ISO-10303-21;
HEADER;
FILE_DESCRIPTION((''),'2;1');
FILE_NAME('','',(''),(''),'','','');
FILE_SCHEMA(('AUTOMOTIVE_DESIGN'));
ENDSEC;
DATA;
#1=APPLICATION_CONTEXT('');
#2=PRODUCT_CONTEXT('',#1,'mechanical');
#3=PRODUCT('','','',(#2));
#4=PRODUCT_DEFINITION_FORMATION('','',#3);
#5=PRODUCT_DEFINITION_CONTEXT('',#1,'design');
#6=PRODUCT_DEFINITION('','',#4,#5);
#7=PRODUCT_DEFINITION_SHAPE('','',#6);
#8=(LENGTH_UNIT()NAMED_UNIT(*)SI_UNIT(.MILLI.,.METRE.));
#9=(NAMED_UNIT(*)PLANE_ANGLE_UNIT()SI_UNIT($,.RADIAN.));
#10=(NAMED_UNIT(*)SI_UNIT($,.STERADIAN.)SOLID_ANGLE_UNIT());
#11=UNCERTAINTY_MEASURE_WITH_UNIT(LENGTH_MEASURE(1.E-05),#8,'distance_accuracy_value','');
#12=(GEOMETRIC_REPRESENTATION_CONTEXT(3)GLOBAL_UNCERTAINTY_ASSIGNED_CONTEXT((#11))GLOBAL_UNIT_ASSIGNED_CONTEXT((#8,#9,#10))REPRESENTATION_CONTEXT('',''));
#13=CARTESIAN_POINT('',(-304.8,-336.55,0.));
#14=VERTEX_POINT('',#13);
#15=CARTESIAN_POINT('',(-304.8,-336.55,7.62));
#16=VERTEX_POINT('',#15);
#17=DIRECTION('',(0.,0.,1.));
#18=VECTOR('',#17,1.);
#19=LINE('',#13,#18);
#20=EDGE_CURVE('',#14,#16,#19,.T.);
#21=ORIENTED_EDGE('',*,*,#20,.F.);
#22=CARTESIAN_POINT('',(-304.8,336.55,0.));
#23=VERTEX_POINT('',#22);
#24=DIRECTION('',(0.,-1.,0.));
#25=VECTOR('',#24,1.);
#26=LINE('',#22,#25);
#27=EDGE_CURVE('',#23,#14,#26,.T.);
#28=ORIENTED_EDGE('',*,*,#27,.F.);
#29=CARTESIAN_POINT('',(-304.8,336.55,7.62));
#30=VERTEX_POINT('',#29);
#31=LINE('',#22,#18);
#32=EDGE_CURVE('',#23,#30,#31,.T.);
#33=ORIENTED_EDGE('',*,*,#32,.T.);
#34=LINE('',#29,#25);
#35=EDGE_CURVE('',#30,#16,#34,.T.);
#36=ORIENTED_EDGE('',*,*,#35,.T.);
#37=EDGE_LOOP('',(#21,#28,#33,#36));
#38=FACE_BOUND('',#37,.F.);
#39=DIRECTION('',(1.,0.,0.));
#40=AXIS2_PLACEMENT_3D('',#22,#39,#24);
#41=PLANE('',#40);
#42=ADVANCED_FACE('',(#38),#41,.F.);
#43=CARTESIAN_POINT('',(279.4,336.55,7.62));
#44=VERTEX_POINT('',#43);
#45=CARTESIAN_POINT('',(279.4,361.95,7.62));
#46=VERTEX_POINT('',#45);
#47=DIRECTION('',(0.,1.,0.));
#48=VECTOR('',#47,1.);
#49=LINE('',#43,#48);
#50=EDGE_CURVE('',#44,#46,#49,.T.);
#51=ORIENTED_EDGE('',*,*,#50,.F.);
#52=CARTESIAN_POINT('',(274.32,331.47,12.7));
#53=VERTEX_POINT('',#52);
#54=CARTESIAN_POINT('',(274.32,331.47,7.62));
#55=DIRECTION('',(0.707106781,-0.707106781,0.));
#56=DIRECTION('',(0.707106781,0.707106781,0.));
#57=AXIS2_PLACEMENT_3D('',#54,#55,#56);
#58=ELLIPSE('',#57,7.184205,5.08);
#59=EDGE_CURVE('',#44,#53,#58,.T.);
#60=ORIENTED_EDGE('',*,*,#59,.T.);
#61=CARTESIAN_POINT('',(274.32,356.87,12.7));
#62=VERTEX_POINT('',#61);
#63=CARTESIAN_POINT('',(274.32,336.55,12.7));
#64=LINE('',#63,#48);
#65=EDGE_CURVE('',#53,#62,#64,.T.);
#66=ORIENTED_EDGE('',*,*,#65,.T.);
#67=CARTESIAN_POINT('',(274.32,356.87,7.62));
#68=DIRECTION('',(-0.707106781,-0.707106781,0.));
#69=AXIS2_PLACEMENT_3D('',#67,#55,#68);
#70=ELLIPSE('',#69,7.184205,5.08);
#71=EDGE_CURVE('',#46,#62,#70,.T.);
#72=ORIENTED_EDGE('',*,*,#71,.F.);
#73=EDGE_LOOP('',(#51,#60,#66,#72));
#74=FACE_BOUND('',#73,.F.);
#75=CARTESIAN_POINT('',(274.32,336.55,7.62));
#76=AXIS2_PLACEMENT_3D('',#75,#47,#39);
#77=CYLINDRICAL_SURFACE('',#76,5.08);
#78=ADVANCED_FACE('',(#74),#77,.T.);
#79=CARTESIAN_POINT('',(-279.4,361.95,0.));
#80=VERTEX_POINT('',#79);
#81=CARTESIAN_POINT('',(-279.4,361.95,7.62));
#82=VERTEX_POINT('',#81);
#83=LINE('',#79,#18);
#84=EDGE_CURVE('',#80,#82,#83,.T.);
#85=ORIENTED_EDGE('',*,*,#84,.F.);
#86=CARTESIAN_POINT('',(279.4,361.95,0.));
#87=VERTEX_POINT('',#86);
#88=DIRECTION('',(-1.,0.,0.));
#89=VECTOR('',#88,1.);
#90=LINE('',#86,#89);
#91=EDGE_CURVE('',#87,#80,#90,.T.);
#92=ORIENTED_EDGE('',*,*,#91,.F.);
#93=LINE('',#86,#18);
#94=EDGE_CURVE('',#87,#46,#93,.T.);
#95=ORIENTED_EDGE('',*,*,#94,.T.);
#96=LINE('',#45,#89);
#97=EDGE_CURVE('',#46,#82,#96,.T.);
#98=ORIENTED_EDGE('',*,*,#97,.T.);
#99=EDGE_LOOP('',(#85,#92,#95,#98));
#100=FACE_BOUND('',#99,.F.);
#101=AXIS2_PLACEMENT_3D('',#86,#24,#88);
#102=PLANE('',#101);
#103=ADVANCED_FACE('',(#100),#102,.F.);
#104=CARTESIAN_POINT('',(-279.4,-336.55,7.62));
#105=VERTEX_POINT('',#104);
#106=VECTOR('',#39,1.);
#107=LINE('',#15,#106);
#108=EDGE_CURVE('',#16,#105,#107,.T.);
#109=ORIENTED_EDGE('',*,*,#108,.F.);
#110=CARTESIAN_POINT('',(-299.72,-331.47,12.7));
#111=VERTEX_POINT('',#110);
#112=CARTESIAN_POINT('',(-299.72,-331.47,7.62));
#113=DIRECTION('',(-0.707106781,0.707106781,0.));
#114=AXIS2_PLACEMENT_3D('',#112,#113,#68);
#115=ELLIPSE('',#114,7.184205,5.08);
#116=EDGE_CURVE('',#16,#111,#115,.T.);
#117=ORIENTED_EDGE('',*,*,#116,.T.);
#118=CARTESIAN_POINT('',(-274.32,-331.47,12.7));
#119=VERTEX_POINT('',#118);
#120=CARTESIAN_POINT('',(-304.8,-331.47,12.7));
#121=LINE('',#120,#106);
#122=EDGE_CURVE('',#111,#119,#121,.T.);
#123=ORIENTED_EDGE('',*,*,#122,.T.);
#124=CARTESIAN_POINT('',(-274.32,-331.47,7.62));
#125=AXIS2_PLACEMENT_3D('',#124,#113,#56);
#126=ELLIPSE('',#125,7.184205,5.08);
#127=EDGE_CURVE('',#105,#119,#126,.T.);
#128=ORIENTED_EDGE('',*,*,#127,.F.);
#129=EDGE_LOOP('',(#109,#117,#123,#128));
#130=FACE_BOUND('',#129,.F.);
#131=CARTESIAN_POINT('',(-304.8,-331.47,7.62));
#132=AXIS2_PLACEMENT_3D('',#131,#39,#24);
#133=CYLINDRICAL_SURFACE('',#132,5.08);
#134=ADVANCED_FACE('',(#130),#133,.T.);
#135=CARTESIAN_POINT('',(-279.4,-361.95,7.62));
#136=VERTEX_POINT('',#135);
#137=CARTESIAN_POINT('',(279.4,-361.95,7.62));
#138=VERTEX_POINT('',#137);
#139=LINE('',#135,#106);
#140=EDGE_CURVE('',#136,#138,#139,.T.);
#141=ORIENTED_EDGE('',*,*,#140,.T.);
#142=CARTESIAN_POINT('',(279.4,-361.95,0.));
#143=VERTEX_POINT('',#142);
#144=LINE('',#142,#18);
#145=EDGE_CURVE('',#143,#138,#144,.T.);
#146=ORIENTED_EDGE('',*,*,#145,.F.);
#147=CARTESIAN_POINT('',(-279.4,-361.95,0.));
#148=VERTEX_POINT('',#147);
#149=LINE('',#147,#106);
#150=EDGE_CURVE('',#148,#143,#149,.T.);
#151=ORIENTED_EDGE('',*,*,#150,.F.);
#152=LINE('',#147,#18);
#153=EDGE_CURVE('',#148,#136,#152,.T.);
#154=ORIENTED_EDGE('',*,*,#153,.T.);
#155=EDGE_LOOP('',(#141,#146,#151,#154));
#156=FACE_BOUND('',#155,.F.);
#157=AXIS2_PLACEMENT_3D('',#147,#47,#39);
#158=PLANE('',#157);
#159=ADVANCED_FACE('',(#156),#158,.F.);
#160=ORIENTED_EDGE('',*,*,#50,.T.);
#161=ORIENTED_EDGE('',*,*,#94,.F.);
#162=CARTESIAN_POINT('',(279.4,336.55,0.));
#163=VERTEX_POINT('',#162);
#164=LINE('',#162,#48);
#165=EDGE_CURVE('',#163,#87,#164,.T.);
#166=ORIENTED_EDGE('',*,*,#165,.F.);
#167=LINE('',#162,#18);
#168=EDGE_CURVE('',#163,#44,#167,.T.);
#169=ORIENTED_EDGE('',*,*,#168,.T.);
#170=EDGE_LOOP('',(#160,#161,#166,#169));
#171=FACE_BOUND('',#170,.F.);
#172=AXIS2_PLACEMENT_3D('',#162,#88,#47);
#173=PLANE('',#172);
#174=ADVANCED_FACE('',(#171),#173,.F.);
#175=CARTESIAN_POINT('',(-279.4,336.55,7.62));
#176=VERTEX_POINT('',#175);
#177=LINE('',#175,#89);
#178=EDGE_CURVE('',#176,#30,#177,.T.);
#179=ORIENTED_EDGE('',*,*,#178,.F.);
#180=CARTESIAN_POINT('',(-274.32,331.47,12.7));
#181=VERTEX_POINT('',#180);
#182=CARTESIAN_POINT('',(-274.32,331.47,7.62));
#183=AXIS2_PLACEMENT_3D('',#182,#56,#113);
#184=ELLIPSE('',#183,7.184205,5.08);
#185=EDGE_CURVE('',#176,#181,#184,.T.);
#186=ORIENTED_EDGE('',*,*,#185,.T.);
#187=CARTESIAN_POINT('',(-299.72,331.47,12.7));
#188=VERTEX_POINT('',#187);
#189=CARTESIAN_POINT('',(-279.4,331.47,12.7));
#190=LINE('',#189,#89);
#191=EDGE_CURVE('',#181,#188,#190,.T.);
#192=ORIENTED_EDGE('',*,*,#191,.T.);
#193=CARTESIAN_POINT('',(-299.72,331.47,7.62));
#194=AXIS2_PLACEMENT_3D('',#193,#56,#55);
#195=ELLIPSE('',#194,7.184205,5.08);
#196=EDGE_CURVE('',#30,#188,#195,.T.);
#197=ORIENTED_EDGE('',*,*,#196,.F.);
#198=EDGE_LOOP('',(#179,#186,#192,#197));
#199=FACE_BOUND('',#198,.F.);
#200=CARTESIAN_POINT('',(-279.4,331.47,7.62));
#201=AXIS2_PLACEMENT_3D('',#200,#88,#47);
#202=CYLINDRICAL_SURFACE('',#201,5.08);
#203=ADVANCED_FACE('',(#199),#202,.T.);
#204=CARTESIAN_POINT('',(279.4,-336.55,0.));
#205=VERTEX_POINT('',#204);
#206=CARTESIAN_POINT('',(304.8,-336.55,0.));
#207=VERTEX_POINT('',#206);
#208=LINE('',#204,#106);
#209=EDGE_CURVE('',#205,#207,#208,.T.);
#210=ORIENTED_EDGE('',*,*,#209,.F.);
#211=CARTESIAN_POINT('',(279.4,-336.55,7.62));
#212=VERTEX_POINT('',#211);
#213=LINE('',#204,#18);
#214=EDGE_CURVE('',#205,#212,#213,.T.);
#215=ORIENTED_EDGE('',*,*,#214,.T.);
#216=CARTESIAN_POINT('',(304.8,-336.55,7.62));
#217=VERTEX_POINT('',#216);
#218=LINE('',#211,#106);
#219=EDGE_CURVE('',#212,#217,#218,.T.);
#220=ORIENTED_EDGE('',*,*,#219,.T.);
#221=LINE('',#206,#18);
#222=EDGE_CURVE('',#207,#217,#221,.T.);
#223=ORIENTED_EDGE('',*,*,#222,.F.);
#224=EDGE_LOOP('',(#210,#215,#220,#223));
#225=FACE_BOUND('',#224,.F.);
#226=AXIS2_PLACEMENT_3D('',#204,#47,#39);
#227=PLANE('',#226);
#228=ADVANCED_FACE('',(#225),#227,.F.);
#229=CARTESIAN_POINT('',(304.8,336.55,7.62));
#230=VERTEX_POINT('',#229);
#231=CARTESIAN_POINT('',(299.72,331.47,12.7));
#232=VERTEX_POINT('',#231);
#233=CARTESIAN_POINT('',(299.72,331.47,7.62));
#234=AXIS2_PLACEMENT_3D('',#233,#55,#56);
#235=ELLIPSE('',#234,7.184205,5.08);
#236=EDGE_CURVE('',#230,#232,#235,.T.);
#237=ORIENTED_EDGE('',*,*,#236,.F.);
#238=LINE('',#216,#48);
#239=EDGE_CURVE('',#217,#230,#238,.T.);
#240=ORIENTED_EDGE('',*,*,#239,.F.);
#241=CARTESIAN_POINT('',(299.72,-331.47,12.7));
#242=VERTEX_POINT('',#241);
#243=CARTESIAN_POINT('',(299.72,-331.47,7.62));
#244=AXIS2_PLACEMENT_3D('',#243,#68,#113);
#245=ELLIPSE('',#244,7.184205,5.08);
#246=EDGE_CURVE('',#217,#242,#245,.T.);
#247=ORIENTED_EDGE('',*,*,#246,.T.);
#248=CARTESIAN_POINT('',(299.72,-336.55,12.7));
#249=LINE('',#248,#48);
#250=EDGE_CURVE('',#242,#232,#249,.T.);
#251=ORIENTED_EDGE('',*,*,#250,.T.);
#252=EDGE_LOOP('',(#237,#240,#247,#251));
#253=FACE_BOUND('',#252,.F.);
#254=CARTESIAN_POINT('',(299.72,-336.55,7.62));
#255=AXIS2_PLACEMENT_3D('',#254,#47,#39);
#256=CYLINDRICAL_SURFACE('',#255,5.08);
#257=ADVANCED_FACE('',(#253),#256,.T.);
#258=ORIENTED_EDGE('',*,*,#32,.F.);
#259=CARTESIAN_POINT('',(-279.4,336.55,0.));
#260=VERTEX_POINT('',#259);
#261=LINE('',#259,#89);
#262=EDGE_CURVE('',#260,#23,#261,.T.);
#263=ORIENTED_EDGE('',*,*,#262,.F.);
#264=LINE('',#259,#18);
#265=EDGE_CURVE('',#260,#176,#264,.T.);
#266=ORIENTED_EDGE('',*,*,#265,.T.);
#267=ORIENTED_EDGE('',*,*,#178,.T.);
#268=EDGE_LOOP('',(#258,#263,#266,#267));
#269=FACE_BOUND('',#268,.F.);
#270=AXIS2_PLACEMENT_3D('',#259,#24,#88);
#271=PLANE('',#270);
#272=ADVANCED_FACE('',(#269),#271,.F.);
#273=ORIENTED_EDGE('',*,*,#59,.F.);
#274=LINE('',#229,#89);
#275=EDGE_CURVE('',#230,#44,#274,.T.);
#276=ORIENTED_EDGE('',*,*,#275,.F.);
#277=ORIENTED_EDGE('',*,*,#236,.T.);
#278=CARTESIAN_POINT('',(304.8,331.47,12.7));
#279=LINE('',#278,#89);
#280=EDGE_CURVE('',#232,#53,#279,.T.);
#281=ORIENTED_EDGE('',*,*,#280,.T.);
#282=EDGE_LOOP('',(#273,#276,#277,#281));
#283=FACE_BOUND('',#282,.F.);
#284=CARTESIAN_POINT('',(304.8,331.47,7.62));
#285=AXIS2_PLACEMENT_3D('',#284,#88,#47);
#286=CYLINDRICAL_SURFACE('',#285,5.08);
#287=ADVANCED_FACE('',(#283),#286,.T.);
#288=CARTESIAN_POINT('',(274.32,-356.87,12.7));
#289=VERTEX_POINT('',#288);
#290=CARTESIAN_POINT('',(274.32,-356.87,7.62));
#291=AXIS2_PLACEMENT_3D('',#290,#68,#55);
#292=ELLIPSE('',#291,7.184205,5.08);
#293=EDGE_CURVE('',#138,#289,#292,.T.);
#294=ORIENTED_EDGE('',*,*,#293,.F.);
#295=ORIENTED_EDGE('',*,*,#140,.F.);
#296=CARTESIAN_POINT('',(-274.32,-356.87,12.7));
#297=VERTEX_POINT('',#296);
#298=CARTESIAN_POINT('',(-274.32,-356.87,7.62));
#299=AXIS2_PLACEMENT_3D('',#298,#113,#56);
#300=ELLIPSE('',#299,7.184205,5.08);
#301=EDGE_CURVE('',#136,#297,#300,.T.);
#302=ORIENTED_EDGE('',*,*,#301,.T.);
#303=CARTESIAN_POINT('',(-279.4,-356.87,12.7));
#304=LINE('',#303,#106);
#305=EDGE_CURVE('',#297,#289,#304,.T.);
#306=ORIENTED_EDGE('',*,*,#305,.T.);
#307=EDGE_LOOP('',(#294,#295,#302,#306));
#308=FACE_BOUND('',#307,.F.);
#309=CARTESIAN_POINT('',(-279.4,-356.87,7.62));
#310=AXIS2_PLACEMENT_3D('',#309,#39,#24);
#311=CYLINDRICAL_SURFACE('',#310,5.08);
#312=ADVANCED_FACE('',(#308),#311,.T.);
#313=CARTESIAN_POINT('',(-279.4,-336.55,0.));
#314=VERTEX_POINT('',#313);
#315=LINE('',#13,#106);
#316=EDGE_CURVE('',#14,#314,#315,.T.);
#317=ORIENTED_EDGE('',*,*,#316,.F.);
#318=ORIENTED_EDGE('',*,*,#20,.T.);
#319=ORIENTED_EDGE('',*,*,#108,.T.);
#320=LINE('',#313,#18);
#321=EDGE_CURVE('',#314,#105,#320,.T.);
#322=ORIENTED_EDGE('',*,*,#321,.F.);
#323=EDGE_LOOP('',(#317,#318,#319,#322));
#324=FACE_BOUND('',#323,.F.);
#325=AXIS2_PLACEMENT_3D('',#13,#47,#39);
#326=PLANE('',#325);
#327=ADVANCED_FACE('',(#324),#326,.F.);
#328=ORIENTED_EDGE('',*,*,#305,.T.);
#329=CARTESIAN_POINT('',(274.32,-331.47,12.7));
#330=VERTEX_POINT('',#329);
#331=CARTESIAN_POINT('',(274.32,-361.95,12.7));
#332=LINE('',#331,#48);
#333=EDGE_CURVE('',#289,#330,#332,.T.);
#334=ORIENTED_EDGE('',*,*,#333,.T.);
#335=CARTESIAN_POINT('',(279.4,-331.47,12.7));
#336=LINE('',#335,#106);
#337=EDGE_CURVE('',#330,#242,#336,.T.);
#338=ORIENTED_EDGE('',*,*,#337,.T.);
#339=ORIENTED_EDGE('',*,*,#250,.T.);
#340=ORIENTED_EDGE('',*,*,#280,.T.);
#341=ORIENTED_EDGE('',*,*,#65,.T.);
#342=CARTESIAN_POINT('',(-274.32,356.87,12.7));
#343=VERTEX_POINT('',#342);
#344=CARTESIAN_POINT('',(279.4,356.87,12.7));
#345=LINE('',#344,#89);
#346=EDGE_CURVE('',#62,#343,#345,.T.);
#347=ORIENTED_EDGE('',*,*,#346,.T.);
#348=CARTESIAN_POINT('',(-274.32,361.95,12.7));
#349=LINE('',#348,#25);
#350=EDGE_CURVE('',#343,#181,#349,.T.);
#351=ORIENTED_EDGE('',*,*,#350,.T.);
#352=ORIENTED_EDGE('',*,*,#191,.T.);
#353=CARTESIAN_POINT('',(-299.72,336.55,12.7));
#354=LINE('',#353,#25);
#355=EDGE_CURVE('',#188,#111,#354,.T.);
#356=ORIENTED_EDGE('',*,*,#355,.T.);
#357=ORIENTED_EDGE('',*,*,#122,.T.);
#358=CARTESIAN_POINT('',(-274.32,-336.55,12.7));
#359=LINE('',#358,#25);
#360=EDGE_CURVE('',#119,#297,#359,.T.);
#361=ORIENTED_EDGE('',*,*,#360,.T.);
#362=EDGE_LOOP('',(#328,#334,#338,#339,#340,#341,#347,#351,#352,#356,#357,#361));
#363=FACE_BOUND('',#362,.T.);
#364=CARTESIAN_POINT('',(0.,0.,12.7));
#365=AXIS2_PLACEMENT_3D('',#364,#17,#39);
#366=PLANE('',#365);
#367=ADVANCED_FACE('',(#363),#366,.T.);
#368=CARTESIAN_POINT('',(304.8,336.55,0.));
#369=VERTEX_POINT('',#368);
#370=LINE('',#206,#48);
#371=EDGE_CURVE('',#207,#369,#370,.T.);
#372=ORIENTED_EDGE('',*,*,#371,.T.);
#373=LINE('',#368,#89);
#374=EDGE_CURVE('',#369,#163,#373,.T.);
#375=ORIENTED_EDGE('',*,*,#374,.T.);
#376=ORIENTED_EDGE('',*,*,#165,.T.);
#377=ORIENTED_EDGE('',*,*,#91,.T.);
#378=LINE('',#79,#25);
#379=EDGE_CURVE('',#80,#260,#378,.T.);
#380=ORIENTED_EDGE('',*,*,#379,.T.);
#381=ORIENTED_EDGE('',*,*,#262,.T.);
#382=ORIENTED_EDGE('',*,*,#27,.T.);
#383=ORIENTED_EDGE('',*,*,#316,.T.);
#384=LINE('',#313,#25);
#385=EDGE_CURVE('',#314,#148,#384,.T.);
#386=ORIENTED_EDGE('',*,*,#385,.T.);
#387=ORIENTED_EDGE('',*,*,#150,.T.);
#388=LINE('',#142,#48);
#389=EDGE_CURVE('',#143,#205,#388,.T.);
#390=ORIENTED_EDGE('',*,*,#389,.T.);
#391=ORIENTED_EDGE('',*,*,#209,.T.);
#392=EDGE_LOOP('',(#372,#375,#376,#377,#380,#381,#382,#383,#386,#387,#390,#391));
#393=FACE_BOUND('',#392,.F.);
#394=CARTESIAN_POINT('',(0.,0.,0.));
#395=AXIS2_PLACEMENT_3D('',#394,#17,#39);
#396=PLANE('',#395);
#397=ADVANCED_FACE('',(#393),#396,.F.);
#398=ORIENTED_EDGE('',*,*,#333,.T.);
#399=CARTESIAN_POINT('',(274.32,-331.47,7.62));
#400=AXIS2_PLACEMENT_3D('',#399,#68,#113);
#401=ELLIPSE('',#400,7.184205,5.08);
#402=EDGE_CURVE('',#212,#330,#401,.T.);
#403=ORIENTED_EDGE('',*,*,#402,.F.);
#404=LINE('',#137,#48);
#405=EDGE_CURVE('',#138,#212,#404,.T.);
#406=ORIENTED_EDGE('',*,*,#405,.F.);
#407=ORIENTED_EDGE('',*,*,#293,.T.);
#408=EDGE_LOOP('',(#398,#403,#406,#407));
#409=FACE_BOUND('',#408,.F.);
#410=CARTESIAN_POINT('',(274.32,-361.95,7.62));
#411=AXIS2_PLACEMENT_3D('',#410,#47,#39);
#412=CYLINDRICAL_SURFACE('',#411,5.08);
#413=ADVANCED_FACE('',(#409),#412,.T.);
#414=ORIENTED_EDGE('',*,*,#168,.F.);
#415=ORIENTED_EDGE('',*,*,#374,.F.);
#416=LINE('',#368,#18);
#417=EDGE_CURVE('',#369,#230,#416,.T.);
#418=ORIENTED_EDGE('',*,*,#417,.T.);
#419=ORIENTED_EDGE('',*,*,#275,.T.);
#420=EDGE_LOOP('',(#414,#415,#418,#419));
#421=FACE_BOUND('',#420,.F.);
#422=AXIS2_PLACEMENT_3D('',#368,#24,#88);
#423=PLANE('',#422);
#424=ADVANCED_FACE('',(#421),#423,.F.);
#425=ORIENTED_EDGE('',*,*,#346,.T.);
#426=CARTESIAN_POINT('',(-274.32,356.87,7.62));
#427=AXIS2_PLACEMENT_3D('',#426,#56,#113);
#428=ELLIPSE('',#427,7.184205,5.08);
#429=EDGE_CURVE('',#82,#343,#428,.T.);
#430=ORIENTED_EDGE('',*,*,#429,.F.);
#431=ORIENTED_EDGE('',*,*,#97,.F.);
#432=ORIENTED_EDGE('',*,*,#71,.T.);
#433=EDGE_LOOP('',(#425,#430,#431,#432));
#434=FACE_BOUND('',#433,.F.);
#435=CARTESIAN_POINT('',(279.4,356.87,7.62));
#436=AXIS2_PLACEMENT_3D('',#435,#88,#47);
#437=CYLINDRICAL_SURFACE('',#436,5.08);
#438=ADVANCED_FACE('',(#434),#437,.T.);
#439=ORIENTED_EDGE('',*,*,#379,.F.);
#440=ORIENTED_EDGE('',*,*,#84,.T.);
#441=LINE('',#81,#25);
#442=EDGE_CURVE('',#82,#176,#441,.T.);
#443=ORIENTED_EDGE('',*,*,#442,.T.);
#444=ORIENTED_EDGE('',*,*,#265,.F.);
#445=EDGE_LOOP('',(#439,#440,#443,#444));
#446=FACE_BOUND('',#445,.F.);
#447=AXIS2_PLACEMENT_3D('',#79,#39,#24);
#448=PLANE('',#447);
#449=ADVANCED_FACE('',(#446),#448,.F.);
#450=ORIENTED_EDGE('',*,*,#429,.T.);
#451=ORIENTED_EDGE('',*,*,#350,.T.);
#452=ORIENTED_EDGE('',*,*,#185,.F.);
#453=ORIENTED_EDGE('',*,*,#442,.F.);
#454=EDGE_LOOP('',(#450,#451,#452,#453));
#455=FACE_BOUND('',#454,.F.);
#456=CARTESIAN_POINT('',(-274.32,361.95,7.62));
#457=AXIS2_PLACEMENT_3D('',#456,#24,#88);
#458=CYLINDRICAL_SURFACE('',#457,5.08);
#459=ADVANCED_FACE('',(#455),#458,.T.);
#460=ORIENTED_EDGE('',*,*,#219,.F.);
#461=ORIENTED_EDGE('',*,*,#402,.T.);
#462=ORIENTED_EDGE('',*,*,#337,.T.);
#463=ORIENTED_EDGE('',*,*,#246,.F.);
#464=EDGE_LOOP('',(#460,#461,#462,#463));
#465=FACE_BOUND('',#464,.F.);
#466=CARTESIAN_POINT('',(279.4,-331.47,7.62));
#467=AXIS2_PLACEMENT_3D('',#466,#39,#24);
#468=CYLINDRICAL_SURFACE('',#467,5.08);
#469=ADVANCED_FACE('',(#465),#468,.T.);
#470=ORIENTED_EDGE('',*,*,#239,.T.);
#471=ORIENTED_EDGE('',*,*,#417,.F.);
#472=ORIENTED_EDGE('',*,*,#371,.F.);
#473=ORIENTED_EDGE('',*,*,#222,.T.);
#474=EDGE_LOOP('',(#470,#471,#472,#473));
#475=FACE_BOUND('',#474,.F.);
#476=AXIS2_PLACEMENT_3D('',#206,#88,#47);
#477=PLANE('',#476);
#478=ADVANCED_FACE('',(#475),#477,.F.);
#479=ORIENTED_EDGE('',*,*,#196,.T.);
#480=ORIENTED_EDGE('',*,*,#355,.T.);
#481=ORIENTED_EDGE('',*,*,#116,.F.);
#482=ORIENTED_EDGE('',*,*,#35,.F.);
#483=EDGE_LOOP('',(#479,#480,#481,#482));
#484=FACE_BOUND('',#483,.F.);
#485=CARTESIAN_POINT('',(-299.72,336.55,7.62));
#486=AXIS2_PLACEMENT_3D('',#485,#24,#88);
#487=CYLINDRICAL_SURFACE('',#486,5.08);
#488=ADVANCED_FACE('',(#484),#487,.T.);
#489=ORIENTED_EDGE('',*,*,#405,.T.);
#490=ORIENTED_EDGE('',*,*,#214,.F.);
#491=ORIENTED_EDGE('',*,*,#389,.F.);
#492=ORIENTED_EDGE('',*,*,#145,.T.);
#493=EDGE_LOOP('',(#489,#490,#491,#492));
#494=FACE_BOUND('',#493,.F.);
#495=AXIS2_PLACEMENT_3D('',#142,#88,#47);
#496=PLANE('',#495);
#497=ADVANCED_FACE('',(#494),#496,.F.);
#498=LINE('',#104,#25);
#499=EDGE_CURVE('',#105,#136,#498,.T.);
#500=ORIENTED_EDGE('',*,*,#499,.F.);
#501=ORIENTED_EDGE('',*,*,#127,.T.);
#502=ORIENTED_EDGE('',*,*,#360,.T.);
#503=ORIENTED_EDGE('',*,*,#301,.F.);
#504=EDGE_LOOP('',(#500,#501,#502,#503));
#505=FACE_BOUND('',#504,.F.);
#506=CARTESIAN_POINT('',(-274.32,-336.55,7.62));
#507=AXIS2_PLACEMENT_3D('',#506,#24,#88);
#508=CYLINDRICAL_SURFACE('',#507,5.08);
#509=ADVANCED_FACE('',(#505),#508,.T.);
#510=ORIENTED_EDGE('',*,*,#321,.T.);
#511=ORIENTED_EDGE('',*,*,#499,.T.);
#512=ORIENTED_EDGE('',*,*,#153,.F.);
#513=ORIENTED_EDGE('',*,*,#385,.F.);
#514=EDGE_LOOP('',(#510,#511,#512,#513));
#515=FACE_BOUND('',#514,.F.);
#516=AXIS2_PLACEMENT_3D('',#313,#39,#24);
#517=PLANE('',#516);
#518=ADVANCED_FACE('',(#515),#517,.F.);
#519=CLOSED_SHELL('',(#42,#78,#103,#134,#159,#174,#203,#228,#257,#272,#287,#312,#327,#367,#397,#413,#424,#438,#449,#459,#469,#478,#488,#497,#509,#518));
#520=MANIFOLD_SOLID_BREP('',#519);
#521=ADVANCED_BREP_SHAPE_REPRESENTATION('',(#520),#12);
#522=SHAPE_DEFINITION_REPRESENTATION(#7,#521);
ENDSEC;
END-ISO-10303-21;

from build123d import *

# Parameters (mm, degrees)
F1_DEPTH = 12.7
F2_R     = 5.08


with BuildPart() as f1:
    # F0 (on Top) → F1 (new body)
    with BuildSketch(Plane.XY):
        Polygon((279.4, 361.95), (-279.4, 361.95), (-279.4, 336.55), (-304.8, 336.55), (-304.8, -336.55), (-279.4, -336.55), (-279.4, -361.95), (279.4, -361.95), (279.4, -336.55), (304.8, -336.55), (304.8, 336.55), (279.4, 336.55), align=None)
    extrude(amount=F1_DEPTH)

    # F2
    f2_edges = [f1.edges().sort_by_distance(p)[0] for p in [
        (-304.8, 0, 12.7),
        (0, -361.95, 12.7),
        (304.8, 0, 12.7),
        (0, 361.95, 12.7),
        (-292.1, 336.55, 12.7),
        (-279.4, 349.25, 12.7),
        (279.4, 349.25, 12.7),
        (292.1, 336.55, 12.7),
        (-292.1, -336.55, 12.7),
        (-279.4, -349.25, 12.7),
        (279.4, -349.25, 12.7),
        (292.1, -336.55, 12.7),
    ]]
    fillet(f2_edges, radius=F2_R)


solid = f1.part
